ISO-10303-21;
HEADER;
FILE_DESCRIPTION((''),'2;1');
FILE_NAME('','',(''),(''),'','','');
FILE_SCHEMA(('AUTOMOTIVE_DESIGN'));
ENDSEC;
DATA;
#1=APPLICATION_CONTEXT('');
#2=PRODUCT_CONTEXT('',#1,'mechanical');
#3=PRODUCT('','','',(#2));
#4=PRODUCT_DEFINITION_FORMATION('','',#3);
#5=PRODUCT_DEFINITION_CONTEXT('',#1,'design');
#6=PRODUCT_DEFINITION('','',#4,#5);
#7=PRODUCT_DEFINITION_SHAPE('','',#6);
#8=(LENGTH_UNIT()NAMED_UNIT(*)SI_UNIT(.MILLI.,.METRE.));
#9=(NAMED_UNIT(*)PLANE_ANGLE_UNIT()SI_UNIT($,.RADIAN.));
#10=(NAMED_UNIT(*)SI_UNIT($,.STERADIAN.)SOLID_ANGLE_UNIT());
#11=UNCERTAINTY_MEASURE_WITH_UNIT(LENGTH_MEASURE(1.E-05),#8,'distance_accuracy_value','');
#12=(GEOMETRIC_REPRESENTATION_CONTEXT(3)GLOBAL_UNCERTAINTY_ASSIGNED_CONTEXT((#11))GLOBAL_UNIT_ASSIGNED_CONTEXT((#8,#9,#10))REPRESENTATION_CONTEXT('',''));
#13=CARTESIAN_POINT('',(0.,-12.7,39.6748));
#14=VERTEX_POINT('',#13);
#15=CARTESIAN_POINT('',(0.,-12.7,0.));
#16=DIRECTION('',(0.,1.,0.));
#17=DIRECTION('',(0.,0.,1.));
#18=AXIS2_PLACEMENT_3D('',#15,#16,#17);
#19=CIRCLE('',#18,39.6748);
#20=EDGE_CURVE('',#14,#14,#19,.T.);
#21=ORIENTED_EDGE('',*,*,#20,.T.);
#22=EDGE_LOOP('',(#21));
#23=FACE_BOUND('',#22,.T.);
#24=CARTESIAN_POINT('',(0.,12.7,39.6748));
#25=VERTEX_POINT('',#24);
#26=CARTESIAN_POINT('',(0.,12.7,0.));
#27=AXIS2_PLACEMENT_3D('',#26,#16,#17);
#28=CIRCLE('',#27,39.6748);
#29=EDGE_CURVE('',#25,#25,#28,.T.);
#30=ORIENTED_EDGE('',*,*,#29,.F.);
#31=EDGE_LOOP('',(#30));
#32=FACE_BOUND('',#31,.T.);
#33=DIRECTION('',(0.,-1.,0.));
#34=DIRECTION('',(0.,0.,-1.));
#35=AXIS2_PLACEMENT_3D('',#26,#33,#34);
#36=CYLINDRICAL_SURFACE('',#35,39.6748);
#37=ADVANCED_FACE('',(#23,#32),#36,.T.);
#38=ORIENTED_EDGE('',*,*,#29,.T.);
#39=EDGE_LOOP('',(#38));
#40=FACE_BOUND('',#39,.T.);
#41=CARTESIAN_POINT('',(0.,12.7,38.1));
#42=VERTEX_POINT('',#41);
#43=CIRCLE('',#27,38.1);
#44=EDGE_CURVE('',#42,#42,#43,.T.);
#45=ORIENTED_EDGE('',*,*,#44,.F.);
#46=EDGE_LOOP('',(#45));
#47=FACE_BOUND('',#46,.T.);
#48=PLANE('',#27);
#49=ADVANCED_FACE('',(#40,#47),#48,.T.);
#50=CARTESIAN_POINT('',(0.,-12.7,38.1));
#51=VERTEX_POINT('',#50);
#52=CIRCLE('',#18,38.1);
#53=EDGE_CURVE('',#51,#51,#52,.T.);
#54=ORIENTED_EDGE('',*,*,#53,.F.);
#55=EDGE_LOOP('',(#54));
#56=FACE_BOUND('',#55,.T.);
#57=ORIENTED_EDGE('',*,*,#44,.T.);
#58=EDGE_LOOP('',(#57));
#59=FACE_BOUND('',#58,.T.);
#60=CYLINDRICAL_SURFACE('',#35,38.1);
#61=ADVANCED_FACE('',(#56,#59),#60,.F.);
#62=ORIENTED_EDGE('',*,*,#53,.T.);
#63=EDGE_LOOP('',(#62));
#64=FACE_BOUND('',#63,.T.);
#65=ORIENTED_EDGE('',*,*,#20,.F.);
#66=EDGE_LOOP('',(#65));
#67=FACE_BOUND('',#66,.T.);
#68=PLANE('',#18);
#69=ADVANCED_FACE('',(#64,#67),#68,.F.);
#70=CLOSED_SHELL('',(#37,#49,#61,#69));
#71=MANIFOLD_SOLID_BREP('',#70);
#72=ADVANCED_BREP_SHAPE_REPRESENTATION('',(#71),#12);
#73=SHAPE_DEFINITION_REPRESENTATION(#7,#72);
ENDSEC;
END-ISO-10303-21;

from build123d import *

# Parameters (mm, degrees)
SKETCH1_R           = 39.6748
SKETCH1_R_2         = 38.1
BOSS_EXTRUDE1_DEPTH = 12.7


with BuildPart() as part:
    # Sketch1 → Boss-Extrude1 (new, symmetric)
    with BuildSketch(Plane(origin=(0, 0, 0), x_dir=(1, 0, 0), z_dir=(0, 1, 0))):
        with Locations(Location((0, 0, 0), (0, 0, 270))):
            Circle(SKETCH1_R)
        with Locations(Location((0, 0, 0), (0, 0, 270))):
            Circle(SKETCH1_R_2, mode=Mode.SUBTRACT)
    extrude(amount=BOSS_EXTRUDE1_DEPTH, both=True)


solid = part.part
